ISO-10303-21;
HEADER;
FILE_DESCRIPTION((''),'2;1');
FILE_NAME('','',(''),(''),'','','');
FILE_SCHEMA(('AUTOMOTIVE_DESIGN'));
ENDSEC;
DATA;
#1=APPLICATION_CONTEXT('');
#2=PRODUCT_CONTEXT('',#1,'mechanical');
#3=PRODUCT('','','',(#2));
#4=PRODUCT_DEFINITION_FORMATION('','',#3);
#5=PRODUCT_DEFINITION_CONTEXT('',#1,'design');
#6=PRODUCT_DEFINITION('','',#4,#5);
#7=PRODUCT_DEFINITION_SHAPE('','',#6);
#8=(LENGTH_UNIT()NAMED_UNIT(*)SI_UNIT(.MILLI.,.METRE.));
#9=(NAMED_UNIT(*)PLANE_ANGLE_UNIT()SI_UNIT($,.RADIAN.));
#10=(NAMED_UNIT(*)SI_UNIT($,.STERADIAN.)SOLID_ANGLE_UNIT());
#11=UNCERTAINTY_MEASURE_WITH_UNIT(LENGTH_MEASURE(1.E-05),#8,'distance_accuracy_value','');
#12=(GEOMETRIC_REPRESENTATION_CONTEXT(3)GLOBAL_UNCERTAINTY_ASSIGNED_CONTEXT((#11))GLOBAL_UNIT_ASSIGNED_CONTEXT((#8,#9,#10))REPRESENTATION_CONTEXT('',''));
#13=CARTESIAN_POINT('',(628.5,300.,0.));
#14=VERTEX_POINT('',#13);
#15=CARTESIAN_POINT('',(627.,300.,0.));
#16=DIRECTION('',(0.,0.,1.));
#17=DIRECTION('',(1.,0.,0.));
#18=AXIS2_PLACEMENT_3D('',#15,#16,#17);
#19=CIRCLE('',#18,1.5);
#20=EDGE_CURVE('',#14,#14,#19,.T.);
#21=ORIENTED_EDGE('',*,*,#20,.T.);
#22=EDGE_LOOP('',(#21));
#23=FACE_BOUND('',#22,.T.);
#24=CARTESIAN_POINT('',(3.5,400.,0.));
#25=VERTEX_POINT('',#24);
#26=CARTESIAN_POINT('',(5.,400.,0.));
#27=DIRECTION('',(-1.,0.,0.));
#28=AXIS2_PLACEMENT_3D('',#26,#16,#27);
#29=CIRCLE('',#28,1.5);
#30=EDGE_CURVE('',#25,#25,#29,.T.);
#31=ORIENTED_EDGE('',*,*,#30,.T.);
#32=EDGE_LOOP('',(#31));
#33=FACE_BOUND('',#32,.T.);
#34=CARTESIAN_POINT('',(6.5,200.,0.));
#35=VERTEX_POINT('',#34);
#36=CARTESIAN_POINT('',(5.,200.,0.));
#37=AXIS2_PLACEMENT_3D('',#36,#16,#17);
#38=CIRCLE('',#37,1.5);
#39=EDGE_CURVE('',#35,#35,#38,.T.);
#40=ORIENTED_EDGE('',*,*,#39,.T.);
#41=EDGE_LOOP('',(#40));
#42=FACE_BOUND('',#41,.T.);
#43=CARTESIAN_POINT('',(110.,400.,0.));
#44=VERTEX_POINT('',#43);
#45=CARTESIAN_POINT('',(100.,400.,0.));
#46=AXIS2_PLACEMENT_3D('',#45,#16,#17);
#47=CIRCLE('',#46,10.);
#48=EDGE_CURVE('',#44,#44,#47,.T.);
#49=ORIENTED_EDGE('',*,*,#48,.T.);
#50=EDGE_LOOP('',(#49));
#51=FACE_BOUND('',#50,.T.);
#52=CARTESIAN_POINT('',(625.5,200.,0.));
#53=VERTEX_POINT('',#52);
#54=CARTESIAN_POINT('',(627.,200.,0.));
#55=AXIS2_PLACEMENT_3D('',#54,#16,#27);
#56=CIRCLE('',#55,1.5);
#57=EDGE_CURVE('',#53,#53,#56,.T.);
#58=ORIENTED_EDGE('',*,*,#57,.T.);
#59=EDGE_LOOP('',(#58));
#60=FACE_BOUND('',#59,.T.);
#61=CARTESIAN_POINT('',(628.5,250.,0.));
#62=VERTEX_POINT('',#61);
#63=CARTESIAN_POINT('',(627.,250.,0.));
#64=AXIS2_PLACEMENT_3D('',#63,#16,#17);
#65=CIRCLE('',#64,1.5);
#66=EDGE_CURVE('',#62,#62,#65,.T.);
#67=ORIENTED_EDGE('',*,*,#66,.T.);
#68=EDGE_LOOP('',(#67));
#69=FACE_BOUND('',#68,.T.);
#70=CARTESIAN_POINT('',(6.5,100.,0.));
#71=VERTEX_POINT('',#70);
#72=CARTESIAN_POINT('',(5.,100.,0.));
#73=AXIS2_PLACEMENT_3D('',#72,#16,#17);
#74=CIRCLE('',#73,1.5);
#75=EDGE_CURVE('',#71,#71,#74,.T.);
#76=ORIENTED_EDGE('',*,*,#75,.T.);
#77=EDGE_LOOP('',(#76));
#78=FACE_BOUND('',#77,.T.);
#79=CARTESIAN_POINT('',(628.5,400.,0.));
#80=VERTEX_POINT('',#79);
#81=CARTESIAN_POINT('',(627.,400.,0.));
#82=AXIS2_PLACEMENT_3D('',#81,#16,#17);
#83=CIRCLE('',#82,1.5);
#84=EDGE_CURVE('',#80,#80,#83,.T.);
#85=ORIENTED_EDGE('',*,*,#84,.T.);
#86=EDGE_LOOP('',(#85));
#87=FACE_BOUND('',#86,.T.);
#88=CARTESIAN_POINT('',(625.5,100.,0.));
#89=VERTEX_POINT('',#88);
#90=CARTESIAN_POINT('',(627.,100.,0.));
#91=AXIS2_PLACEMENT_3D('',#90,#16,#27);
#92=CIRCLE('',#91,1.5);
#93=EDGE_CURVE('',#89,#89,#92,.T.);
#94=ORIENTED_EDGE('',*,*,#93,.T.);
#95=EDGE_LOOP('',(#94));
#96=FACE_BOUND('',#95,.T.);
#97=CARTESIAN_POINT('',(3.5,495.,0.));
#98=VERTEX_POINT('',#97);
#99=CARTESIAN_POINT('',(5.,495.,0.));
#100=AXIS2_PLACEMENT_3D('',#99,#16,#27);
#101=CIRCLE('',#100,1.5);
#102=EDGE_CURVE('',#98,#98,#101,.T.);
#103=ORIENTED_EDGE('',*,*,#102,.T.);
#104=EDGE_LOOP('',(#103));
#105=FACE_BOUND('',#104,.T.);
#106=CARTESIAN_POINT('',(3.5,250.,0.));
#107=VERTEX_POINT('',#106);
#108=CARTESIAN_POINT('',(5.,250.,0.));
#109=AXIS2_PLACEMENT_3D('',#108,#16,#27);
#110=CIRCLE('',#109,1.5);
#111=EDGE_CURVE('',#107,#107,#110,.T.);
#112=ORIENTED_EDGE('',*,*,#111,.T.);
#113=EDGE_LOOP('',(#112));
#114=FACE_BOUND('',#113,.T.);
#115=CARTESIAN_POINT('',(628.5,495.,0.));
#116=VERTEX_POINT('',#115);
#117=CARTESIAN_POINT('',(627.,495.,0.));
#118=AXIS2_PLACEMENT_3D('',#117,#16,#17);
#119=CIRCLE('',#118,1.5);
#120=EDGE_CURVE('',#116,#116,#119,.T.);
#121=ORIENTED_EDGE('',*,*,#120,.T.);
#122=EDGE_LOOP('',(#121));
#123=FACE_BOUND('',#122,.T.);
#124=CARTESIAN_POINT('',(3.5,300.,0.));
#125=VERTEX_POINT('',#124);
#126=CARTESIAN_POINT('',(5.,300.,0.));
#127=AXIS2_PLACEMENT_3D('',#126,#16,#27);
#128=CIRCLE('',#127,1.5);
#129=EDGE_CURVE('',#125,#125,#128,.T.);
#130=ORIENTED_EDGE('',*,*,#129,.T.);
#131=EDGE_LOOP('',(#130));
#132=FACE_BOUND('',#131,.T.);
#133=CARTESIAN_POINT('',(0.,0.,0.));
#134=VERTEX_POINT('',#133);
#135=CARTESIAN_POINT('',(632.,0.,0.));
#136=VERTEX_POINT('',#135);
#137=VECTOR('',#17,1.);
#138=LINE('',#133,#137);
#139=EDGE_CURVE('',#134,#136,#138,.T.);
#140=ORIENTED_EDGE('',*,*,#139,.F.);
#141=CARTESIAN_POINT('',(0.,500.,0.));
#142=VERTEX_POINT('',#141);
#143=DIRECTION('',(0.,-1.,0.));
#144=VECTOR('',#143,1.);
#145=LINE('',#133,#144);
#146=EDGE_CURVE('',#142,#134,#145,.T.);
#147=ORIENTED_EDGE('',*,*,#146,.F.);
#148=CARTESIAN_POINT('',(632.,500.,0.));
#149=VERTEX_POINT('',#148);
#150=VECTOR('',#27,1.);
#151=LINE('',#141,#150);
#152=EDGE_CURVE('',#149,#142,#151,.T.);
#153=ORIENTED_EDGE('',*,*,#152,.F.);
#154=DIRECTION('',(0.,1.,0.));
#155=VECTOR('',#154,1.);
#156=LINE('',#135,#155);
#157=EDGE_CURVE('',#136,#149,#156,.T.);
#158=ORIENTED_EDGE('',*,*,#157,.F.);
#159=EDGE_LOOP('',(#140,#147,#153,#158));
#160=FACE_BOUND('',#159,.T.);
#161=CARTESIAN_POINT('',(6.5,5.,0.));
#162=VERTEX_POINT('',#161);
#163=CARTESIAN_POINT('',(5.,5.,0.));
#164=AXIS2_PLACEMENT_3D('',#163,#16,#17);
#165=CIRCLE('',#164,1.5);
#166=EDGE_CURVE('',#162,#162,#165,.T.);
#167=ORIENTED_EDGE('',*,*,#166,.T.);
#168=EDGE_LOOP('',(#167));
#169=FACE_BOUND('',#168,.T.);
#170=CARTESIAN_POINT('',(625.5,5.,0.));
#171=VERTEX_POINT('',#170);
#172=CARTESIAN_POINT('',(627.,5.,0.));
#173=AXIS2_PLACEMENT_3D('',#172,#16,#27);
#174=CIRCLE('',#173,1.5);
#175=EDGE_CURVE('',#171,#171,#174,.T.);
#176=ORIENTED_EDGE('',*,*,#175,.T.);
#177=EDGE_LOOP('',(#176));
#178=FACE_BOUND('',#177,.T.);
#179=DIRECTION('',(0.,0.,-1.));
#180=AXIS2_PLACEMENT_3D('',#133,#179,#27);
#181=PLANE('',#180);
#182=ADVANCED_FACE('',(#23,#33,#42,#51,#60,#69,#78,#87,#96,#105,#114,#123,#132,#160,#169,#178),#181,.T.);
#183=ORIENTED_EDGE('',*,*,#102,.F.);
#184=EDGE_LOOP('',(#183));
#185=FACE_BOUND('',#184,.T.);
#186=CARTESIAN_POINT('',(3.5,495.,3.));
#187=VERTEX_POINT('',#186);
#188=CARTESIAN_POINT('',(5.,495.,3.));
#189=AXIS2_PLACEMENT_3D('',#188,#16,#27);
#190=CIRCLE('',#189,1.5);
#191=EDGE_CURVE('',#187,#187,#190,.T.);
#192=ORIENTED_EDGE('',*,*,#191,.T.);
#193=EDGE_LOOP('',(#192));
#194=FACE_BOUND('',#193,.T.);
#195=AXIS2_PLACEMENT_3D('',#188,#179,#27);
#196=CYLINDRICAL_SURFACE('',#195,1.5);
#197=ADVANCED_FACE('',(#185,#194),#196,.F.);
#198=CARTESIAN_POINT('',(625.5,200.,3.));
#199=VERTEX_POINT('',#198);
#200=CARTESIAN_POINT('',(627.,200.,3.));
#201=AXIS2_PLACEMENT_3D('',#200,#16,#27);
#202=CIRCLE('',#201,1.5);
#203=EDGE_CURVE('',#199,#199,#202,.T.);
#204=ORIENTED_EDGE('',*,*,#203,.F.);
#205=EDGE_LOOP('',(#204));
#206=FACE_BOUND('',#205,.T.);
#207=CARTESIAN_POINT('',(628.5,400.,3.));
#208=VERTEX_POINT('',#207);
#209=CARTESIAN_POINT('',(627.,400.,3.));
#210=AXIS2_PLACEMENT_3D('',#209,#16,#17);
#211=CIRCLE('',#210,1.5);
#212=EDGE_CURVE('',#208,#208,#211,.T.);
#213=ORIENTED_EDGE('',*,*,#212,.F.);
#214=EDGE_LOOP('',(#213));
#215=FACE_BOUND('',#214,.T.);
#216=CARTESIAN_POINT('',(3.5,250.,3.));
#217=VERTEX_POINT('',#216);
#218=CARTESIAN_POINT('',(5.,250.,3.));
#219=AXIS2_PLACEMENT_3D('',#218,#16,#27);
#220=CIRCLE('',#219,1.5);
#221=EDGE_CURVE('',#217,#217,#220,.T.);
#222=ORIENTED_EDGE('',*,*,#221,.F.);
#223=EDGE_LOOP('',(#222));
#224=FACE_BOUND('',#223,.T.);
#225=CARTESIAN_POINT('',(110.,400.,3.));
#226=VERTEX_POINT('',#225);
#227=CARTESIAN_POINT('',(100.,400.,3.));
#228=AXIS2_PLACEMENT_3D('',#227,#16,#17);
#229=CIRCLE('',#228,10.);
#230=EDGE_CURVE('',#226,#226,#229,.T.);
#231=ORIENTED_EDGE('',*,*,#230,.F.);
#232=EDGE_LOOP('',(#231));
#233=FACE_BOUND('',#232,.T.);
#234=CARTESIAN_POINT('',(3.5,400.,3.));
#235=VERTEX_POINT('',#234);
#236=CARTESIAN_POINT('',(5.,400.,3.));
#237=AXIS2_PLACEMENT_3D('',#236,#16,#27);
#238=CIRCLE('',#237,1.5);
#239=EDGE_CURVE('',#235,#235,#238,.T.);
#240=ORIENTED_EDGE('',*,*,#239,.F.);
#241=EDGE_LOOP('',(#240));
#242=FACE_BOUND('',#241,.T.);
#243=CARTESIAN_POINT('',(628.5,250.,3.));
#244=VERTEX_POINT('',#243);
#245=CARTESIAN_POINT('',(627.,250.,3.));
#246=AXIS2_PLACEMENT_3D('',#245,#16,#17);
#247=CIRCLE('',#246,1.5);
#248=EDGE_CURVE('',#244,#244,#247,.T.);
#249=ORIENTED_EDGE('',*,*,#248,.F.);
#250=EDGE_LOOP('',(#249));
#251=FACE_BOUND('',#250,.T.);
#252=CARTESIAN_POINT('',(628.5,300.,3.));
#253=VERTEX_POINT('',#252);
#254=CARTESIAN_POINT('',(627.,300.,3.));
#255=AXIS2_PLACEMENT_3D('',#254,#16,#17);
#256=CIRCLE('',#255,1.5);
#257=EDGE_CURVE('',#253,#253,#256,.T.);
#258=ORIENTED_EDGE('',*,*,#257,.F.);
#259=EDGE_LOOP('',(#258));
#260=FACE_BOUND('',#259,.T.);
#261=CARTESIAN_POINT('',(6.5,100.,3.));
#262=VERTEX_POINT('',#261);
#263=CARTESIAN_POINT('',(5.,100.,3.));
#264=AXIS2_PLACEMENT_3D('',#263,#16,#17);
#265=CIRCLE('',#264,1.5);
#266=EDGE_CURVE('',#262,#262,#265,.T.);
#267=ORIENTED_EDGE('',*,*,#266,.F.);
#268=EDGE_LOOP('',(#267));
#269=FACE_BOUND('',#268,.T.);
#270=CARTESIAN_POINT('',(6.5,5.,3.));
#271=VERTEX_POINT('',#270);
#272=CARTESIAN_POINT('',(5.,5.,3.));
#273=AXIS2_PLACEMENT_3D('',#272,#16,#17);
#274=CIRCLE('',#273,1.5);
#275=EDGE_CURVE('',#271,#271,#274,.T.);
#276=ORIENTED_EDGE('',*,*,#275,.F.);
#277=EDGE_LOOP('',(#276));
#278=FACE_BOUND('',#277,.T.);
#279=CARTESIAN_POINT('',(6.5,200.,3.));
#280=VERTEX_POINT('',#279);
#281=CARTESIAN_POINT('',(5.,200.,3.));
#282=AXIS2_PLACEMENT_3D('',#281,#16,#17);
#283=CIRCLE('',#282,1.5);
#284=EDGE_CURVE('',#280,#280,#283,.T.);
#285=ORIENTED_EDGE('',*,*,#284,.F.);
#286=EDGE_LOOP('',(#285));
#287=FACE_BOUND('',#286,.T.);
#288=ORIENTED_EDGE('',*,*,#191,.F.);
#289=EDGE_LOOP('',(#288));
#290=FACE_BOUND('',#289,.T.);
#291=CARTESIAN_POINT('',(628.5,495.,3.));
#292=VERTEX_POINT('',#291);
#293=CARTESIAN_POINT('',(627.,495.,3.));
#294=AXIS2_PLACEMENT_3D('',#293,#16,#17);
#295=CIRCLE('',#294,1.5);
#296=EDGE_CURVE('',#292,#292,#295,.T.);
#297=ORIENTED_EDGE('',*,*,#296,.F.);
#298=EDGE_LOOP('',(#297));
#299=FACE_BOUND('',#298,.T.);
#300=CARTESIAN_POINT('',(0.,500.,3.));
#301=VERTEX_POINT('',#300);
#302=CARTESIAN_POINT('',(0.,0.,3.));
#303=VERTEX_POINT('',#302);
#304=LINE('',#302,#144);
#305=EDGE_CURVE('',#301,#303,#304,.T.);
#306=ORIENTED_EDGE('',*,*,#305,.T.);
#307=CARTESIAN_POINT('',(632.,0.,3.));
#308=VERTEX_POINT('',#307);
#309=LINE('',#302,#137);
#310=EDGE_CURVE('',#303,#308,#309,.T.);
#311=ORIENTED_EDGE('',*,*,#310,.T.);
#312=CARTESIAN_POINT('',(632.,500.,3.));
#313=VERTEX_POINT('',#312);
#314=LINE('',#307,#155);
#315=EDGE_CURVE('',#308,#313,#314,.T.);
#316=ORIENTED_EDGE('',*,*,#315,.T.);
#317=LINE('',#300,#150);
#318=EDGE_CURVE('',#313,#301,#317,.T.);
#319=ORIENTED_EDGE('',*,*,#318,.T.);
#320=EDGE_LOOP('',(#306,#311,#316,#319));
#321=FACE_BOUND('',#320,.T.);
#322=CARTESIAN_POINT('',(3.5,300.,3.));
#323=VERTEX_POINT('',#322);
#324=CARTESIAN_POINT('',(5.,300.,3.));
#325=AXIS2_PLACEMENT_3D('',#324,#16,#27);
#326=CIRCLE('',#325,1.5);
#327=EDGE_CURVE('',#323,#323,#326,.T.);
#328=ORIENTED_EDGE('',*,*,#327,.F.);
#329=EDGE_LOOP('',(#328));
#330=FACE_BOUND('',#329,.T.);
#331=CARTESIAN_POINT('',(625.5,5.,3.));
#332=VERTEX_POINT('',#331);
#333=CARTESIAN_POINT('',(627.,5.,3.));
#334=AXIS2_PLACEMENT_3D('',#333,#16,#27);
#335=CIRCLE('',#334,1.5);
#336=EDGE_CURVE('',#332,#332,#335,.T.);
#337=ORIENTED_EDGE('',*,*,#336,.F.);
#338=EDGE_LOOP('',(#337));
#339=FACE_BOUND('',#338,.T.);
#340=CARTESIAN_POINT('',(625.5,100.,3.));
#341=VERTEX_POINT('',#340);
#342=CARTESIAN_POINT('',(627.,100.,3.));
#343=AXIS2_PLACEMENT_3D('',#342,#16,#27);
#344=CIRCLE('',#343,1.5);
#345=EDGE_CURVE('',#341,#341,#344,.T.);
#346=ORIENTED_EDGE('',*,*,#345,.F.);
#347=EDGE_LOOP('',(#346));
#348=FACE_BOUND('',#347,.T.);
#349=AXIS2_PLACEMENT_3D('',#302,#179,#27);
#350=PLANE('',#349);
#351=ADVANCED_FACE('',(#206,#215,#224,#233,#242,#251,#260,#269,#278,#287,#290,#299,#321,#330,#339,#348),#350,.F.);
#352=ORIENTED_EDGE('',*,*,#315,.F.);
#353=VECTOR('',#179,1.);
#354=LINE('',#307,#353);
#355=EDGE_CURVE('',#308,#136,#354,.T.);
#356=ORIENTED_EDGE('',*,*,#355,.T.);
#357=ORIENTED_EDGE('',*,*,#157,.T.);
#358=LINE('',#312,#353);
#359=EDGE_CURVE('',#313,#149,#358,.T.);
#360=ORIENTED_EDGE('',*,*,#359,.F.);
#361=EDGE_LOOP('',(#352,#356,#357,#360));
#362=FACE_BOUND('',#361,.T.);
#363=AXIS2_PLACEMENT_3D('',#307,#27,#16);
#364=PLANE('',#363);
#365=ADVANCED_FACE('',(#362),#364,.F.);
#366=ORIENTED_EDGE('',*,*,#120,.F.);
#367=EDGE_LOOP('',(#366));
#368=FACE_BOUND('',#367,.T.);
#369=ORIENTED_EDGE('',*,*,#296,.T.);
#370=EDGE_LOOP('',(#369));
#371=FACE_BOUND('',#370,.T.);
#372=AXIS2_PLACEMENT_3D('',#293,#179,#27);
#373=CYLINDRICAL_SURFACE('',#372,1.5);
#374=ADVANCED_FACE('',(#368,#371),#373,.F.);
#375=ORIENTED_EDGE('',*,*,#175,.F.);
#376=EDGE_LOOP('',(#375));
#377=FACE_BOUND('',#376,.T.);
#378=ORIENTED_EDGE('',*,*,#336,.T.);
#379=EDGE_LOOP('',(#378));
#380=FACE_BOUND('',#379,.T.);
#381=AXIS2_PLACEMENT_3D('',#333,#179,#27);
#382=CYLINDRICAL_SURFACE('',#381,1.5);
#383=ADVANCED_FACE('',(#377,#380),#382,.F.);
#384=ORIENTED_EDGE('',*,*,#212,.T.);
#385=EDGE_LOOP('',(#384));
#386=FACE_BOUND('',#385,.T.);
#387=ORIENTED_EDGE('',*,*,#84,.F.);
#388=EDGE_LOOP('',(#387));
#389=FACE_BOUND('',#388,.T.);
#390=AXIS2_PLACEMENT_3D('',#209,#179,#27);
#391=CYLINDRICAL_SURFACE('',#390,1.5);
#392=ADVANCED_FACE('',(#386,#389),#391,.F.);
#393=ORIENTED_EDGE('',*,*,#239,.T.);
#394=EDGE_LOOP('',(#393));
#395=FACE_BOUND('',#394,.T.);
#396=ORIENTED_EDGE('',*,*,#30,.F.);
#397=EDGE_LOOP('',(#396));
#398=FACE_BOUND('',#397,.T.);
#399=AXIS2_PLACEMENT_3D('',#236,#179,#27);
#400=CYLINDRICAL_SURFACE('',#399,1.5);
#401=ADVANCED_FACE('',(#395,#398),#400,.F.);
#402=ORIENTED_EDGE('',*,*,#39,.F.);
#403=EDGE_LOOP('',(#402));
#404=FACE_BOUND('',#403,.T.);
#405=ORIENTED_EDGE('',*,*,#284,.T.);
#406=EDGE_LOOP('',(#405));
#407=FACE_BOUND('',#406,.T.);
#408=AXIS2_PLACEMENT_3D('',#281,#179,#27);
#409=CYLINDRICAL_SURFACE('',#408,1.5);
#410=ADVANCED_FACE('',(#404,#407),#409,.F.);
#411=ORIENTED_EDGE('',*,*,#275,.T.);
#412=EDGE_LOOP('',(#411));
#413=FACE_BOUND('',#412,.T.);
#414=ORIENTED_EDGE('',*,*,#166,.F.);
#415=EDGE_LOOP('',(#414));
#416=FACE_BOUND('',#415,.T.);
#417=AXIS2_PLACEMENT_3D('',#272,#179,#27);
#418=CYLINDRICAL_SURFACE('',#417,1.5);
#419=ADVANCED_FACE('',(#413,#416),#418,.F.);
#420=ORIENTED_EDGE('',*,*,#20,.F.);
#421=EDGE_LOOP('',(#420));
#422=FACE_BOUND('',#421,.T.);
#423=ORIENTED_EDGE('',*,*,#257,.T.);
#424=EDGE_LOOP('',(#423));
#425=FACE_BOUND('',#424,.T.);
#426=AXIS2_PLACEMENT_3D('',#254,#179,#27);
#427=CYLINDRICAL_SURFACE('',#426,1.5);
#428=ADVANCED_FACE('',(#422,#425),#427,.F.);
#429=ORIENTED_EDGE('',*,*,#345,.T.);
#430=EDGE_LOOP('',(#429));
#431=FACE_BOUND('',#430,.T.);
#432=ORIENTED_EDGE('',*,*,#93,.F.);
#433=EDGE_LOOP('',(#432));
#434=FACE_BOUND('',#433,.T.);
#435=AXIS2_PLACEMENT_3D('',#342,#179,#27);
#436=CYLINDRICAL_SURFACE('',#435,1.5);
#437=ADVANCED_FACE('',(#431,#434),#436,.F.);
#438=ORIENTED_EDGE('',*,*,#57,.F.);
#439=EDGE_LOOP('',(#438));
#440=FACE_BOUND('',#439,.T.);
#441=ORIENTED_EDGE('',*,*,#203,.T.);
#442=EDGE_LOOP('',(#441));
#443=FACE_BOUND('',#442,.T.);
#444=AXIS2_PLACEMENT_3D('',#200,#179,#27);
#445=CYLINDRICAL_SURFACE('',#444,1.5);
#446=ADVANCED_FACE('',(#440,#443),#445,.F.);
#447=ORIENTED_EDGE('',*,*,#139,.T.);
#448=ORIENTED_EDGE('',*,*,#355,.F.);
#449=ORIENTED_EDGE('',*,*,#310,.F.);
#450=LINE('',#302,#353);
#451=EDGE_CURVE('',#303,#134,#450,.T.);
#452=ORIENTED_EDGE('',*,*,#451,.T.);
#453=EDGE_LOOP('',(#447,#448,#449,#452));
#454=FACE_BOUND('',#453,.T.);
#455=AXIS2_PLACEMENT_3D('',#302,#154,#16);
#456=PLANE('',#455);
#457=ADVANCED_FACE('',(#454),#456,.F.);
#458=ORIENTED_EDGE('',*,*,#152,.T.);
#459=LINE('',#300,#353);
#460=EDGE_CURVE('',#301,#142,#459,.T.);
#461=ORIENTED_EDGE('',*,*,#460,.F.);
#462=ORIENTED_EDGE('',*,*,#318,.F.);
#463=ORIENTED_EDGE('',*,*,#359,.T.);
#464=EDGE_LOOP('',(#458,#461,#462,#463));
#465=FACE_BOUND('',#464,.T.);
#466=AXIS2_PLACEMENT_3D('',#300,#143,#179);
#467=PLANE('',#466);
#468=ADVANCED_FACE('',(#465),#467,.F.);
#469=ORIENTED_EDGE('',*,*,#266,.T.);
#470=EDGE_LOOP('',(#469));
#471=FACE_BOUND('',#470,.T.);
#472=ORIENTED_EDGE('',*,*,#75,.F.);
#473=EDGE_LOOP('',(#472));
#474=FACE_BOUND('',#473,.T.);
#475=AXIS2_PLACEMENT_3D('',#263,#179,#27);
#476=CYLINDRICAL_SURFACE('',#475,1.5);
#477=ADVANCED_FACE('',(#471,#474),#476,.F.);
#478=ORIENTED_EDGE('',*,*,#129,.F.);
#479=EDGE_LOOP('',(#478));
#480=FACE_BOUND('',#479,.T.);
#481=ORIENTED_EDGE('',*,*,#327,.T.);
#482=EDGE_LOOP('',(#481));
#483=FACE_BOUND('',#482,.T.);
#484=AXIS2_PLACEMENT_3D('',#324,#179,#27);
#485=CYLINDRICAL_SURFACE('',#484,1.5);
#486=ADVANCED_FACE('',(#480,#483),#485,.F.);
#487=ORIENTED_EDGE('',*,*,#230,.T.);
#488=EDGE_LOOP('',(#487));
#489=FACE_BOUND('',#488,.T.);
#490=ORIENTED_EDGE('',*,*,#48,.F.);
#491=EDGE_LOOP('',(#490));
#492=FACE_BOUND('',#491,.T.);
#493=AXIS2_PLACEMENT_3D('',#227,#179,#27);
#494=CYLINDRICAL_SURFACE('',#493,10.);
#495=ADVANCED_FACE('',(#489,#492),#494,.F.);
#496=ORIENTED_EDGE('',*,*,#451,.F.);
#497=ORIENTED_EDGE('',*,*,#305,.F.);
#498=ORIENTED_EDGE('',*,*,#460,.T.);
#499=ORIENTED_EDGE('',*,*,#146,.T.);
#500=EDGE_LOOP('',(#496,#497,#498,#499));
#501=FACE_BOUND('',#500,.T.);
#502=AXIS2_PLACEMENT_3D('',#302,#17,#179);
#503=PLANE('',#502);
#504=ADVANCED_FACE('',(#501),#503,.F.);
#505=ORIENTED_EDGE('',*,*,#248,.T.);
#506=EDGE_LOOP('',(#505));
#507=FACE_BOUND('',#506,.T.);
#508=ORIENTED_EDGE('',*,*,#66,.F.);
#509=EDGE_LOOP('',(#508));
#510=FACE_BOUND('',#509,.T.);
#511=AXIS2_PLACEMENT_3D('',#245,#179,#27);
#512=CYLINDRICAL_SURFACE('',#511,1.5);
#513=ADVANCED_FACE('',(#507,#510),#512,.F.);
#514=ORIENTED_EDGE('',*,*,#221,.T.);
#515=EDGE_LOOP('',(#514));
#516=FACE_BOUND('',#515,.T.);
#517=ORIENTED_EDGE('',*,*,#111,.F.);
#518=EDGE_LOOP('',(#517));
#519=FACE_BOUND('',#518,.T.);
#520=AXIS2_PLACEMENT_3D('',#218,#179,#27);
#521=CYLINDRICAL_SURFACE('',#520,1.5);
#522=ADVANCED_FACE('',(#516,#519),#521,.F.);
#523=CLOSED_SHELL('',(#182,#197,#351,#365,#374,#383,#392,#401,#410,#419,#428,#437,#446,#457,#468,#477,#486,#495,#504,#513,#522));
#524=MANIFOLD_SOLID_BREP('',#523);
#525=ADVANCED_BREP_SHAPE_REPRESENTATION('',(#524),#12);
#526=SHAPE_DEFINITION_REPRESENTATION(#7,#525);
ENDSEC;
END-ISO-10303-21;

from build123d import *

# Parameters (mm, degrees)
SKETCH_1_W      = 632
SKETCH_1_H      = 500
SKETCH_1_R      = 1.5
SKETCH_1_R_2    = 10
EXTRUDE_1_DEPTH = 3


with BuildPart() as part:
    # 草图1 → 凸台-拉伸1 (new body)
    with BuildSketch(Plane.XY):
        with Locations((316, 250)):
            Rectangle(SKETCH_1_W, SKETCH_1_H)
        with Locations((627, 250)):
            Circle(SKETCH_1_R, mode=Mode.SUBTRACT)
        with Locations((627, 300)):
            Circle(SKETCH_1_R, mode=Mode.SUBTRACT)
        with Locations((627, 400)):
            Circle(SKETCH_1_R, mode=Mode.SUBTRACT)
        with Locations((627, 495)):
            Circle(SKETCH_1_R, mode=Mode.SUBTRACT)
        with Locations(Location((627, 5, 0), (0, 0, 180))):
            Circle(SKETCH_1_R, mode=Mode.SUBTRACT)
        with Locations(Location((627, 100, 0), (0, 0, 180))):
            Circle(SKETCH_1_R, mode=Mode.SUBTRACT)
        with Locations(Location((627, 200, 0), (0, 0, 180))):
            Circle(SKETCH_1_R, mode=Mode.SUBTRACT)
        with Locations((5, 200)):
            Circle(SKETCH_1_R, mode=Mode.SUBTRACT)
        with Locations((5, 100)):
            Circle(SKETCH_1_R, mode=Mode.SUBTRACT)
        with Locations((5, 5)):
            Circle(SKETCH_1_R, mode=Mode.SUBTRACT)
        with Locations(Location((5, 495, 0), (0, 0, 180))):
            Circle(SKETCH_1_R, mode=Mode.SUBTRACT)
        with Locations(Location((5, 400, 0), (0, 0, 180))):
            Circle(SKETCH_1_R, mode=Mode.SUBTRACT)
        with Locations(Location((5, 300, 0), (0, 0, 180))):
            Circle(SKETCH_1_R, mode=Mode.SUBTRACT)
        with Locations(Location((5, 250, 0), (0, 0, 180))):
            Circle(SKETCH_1_R, mode=Mode.SUBTRACT)
        with Locations((100, 400)):
            Circle(SKETCH_1_R_2, mode=Mode.SUBTRACT)
    extrude(amount=EXTRUDE_1_DEPTH)


solid = part.part
